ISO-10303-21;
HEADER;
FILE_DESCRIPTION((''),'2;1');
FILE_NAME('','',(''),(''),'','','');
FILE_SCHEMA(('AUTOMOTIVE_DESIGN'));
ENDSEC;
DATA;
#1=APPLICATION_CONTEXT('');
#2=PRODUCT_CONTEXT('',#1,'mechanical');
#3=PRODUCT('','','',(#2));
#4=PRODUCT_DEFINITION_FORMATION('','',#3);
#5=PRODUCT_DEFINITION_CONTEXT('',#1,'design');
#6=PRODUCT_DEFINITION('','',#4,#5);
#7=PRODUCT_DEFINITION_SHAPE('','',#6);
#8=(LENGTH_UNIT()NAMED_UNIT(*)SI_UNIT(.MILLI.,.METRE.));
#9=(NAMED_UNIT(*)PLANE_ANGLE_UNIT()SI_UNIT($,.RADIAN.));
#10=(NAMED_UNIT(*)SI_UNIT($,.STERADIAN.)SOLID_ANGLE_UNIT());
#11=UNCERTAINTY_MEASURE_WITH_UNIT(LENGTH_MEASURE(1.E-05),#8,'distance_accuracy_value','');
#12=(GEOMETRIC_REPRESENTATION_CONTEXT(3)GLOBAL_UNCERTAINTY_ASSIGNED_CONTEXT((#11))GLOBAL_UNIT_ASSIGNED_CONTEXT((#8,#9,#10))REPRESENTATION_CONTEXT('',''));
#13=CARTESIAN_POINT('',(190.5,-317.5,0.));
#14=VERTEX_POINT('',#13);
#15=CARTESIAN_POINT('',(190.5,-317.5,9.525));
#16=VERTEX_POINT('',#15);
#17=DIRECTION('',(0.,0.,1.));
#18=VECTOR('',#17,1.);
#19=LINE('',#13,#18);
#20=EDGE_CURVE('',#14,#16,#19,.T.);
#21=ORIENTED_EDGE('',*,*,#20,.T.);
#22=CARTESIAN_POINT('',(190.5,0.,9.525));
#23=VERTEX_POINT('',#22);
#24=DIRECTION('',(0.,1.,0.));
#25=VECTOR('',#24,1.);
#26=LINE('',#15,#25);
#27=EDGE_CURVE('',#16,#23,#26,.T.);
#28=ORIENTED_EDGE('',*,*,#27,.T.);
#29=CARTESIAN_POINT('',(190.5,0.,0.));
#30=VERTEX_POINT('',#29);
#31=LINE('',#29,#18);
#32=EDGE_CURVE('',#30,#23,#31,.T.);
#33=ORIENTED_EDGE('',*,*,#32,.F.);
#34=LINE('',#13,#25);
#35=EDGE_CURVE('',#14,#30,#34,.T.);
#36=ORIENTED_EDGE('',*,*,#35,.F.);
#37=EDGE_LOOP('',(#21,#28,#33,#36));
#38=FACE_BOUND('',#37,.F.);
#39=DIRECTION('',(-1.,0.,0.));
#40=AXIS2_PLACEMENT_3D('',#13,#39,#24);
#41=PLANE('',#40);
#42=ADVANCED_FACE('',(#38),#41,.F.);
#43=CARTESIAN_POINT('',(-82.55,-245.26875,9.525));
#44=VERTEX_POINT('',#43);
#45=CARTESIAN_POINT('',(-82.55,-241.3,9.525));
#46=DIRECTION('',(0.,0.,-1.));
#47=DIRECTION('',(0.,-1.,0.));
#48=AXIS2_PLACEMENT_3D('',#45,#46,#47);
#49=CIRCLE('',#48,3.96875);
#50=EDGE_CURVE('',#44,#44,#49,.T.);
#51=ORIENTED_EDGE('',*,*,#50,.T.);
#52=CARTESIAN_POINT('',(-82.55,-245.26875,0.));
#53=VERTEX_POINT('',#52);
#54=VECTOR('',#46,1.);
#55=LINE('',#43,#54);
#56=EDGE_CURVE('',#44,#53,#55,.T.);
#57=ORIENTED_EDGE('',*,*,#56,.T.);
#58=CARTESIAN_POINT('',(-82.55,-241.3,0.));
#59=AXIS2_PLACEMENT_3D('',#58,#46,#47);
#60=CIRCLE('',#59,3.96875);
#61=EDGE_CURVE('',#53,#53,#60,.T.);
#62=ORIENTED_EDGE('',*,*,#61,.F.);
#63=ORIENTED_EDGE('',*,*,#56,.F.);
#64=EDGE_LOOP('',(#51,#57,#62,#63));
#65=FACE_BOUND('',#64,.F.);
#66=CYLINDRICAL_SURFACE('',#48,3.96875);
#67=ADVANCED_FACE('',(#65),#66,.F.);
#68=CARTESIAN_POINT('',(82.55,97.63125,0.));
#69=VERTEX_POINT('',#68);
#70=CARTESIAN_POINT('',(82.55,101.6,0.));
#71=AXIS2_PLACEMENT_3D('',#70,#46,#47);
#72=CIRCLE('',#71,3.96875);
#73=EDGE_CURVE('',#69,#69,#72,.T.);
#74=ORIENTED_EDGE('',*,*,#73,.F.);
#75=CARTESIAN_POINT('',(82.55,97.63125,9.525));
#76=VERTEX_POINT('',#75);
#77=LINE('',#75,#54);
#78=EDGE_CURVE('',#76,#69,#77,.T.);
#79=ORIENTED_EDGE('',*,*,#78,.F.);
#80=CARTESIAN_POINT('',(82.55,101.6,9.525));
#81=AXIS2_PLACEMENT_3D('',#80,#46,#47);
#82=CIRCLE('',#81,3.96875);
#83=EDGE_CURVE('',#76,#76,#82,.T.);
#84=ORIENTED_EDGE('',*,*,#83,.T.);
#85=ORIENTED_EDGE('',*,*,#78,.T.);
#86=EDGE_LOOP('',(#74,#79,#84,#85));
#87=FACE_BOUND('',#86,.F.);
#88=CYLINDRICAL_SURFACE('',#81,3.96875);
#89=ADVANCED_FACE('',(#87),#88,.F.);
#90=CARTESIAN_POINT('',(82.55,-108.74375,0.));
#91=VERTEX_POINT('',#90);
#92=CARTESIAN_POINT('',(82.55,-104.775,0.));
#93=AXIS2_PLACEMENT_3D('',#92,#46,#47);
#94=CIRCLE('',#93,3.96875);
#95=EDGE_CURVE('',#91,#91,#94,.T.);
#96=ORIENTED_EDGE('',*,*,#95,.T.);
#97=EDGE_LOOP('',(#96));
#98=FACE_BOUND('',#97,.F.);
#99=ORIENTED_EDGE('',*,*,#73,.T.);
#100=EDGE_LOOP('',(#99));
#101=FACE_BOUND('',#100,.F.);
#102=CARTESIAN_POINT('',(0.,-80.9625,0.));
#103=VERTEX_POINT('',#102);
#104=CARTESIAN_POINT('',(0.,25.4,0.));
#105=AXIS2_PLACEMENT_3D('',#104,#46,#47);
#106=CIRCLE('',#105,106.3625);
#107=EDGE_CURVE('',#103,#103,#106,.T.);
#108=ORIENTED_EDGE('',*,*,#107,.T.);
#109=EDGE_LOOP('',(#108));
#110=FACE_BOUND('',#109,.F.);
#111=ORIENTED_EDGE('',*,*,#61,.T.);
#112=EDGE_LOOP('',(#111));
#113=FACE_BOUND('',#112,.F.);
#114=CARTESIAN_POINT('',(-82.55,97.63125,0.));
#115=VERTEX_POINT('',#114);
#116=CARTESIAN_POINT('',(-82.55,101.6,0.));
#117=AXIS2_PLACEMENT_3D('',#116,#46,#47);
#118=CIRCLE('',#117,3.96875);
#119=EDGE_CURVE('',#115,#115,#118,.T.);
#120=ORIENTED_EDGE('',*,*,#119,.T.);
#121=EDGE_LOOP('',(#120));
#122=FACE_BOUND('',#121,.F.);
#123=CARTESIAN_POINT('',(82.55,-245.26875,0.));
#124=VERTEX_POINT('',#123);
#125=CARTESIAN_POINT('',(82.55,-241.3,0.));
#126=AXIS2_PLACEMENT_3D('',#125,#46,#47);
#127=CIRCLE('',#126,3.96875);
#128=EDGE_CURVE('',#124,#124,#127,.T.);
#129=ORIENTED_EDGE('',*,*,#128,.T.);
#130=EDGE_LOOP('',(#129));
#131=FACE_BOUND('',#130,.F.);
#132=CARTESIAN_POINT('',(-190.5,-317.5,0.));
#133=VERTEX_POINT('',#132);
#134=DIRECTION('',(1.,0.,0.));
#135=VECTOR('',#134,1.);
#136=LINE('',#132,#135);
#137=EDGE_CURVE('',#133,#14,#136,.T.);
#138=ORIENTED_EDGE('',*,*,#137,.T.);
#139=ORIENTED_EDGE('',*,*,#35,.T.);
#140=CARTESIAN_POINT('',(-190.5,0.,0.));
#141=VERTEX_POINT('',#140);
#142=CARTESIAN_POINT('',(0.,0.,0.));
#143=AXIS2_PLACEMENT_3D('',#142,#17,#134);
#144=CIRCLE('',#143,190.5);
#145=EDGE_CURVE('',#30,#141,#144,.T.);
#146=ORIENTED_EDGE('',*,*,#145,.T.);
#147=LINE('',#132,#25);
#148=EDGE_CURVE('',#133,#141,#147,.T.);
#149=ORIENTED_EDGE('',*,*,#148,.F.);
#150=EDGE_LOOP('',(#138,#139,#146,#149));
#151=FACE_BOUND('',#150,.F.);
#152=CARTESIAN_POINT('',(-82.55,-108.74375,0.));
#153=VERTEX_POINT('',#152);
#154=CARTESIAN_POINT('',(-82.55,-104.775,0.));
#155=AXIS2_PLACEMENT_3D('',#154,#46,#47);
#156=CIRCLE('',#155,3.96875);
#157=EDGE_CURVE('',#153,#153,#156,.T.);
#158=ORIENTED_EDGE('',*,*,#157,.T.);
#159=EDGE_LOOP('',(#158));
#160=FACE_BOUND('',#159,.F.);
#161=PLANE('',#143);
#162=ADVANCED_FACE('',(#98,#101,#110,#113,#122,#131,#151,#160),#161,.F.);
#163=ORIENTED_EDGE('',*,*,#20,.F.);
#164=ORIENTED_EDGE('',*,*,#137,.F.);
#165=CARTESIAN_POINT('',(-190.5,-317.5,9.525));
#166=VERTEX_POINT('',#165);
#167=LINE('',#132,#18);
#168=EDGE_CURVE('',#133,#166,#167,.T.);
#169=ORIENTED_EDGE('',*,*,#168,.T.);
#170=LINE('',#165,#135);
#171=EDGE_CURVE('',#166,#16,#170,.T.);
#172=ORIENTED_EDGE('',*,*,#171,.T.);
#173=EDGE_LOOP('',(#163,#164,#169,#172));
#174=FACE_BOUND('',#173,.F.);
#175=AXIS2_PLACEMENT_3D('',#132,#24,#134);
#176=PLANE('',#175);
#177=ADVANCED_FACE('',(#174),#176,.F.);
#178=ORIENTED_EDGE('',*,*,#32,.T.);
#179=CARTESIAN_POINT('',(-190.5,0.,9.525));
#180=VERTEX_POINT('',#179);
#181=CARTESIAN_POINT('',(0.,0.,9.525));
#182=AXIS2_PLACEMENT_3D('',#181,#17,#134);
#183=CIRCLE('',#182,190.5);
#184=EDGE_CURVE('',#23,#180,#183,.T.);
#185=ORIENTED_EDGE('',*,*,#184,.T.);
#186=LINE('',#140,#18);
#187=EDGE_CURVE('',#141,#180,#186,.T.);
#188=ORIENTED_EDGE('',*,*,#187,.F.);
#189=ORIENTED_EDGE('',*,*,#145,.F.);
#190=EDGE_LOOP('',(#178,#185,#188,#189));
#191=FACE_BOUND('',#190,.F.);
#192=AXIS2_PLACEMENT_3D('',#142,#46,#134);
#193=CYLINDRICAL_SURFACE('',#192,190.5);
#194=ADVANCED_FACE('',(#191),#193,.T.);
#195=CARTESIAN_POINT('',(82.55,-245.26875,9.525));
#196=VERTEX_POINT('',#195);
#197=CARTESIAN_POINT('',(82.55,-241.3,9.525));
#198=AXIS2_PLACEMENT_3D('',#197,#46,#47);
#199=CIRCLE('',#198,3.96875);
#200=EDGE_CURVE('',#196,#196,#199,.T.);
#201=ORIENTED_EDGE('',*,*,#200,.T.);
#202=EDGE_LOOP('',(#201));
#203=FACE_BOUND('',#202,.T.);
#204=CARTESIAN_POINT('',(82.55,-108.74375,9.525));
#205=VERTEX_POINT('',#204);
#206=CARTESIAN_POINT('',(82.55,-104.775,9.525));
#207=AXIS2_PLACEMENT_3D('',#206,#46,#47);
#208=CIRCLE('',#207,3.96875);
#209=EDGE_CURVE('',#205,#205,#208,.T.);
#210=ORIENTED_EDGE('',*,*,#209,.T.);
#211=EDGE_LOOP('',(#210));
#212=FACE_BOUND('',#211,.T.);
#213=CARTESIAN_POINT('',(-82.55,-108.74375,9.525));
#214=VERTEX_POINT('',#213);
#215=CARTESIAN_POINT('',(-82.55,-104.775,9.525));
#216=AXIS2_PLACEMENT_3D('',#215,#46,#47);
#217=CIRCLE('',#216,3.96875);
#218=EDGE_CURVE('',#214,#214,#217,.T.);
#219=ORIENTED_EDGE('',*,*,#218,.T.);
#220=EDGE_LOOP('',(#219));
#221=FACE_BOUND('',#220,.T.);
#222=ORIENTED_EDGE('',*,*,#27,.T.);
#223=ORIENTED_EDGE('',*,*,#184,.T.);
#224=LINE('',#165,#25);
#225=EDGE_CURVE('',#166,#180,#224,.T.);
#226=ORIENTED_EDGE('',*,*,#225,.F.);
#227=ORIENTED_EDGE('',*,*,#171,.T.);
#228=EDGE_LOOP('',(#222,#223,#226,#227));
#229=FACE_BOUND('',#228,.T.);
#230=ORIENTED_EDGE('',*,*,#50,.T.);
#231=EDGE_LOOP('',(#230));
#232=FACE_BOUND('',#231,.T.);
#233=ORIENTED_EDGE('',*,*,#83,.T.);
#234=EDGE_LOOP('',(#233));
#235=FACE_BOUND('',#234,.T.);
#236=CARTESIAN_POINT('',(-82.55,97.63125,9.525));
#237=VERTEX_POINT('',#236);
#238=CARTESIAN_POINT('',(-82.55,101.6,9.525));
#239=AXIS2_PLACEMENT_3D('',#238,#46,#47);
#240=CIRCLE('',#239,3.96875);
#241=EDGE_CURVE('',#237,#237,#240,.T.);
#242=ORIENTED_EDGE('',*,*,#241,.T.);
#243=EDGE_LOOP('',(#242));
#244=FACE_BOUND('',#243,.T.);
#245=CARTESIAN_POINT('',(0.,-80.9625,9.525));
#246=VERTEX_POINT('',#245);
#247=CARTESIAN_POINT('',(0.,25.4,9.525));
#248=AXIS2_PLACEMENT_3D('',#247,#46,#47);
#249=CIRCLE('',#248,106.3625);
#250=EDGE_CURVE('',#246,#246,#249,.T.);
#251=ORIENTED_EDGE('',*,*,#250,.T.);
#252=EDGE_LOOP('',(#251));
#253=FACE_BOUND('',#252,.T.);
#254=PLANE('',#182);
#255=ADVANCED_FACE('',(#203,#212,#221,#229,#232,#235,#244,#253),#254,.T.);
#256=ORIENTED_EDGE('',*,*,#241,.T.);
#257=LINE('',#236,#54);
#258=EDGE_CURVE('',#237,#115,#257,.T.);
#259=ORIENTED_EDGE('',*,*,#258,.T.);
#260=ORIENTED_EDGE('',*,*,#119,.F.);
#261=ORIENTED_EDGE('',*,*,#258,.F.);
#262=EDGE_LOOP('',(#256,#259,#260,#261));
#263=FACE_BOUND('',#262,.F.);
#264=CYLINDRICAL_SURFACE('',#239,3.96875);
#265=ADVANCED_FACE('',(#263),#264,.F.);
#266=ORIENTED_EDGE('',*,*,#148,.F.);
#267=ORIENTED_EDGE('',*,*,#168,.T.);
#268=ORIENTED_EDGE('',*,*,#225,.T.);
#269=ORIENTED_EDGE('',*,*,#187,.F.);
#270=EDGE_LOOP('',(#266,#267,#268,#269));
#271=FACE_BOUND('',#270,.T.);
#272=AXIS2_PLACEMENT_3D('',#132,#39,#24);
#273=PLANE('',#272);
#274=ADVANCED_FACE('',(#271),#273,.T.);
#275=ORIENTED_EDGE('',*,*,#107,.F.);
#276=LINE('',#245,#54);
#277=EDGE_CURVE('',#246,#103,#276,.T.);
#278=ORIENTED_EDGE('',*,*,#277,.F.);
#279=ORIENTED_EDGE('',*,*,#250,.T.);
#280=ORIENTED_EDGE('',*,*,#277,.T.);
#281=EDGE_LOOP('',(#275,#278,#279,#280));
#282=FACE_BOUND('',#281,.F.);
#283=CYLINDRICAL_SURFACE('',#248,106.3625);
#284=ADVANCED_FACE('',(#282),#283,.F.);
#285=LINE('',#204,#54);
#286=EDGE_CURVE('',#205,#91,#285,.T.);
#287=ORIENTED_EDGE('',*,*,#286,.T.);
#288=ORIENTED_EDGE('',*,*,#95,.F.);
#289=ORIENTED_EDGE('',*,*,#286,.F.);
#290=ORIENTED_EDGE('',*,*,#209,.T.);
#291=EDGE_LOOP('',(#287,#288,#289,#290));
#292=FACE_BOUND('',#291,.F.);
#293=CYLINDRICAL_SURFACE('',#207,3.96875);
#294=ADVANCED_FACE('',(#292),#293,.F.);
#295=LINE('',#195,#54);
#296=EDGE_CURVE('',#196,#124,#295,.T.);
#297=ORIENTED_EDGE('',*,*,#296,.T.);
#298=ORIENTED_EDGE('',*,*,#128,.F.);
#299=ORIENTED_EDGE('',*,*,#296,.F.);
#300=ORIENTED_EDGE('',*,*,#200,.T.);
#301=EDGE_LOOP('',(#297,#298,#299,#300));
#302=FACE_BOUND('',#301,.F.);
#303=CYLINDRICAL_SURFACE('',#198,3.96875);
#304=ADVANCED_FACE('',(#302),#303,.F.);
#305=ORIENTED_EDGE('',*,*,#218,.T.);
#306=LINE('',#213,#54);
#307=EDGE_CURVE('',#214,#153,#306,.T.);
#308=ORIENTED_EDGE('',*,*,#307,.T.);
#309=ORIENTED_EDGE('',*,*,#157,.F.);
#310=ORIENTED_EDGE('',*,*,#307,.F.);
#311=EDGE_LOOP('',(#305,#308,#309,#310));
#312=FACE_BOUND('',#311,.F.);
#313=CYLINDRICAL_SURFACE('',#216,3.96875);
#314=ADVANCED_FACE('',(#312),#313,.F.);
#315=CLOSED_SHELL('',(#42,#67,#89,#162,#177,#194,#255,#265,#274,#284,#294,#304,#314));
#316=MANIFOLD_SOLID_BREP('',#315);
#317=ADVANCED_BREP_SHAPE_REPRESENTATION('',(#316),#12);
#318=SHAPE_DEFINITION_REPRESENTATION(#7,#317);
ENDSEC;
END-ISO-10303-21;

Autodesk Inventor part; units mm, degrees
ref_plane "YZ Plane" through (0, 0, 0) normal (1, 0, 0) x (0, 1, 0)
ref_plane "XZ Plane" through (0, 0, 0) normal (0, 1, 0) x (-1, 0, 0)
ref_plane "XY Plane" through (0, 0, 0) normal (0, 0, 1) x (1, 0, 0)
sketch "Sketch1" plane through (0, 0, 0) normal (0, 0, 1) x (1, 0, 0)
  line L0 (-190.5, -317.5) -> (190.5, -317.5)
  line L1 (190.5, -317.5) -> (190.5, 0)
  line L2 (-190.5, -317.5) -> (-190.5, 0)
  arc A0 (190.5, 0) -> (-190.5, 0) centre (0, 0) ccw
  dimension "d0" = 508
  dimension "d1" = 381
extrude "Extrusion1" add sketch "Sketch1" along normal blind 9.525
hole "Hole1" at (82.55, -241.3, 9.525) direction (0, 0, -1) diameter 7.9375 depth 25.4 tip angle 118
hole "Hole2" at (-82.55, -241.3, 9.525) direction (0, 0, -1) diameter 7.9375 depth 25.4 tip angle 118
hole "Hole3" at (82.55, -104.775, 9.525) direction (0, 0, -1) diameter 7.9375 depth 25.4 tip angle 118
hole "Hole4" at (-82.55, -104.775, 9.525) direction (0, 0, -1) diameter 7.9375 depth 25.4 tip angle 118
hole "Hole5" at (-82.55, 101.6, 9.525) direction (0, 0, -1) diameter 7.9375 depth 25.4 tip angle 118
hole "Hole6" at (82.55, 101.6, 9.525) direction (0, 0, -1) diameter 7.9375 depth 25.4 tip angle 118
hole "Hole7" at (0, 25.4, 9.525) direction (0, 0, -1) diameter 212.725 depth 25.4 tip angle 118
properties part number "Top_Deck"
